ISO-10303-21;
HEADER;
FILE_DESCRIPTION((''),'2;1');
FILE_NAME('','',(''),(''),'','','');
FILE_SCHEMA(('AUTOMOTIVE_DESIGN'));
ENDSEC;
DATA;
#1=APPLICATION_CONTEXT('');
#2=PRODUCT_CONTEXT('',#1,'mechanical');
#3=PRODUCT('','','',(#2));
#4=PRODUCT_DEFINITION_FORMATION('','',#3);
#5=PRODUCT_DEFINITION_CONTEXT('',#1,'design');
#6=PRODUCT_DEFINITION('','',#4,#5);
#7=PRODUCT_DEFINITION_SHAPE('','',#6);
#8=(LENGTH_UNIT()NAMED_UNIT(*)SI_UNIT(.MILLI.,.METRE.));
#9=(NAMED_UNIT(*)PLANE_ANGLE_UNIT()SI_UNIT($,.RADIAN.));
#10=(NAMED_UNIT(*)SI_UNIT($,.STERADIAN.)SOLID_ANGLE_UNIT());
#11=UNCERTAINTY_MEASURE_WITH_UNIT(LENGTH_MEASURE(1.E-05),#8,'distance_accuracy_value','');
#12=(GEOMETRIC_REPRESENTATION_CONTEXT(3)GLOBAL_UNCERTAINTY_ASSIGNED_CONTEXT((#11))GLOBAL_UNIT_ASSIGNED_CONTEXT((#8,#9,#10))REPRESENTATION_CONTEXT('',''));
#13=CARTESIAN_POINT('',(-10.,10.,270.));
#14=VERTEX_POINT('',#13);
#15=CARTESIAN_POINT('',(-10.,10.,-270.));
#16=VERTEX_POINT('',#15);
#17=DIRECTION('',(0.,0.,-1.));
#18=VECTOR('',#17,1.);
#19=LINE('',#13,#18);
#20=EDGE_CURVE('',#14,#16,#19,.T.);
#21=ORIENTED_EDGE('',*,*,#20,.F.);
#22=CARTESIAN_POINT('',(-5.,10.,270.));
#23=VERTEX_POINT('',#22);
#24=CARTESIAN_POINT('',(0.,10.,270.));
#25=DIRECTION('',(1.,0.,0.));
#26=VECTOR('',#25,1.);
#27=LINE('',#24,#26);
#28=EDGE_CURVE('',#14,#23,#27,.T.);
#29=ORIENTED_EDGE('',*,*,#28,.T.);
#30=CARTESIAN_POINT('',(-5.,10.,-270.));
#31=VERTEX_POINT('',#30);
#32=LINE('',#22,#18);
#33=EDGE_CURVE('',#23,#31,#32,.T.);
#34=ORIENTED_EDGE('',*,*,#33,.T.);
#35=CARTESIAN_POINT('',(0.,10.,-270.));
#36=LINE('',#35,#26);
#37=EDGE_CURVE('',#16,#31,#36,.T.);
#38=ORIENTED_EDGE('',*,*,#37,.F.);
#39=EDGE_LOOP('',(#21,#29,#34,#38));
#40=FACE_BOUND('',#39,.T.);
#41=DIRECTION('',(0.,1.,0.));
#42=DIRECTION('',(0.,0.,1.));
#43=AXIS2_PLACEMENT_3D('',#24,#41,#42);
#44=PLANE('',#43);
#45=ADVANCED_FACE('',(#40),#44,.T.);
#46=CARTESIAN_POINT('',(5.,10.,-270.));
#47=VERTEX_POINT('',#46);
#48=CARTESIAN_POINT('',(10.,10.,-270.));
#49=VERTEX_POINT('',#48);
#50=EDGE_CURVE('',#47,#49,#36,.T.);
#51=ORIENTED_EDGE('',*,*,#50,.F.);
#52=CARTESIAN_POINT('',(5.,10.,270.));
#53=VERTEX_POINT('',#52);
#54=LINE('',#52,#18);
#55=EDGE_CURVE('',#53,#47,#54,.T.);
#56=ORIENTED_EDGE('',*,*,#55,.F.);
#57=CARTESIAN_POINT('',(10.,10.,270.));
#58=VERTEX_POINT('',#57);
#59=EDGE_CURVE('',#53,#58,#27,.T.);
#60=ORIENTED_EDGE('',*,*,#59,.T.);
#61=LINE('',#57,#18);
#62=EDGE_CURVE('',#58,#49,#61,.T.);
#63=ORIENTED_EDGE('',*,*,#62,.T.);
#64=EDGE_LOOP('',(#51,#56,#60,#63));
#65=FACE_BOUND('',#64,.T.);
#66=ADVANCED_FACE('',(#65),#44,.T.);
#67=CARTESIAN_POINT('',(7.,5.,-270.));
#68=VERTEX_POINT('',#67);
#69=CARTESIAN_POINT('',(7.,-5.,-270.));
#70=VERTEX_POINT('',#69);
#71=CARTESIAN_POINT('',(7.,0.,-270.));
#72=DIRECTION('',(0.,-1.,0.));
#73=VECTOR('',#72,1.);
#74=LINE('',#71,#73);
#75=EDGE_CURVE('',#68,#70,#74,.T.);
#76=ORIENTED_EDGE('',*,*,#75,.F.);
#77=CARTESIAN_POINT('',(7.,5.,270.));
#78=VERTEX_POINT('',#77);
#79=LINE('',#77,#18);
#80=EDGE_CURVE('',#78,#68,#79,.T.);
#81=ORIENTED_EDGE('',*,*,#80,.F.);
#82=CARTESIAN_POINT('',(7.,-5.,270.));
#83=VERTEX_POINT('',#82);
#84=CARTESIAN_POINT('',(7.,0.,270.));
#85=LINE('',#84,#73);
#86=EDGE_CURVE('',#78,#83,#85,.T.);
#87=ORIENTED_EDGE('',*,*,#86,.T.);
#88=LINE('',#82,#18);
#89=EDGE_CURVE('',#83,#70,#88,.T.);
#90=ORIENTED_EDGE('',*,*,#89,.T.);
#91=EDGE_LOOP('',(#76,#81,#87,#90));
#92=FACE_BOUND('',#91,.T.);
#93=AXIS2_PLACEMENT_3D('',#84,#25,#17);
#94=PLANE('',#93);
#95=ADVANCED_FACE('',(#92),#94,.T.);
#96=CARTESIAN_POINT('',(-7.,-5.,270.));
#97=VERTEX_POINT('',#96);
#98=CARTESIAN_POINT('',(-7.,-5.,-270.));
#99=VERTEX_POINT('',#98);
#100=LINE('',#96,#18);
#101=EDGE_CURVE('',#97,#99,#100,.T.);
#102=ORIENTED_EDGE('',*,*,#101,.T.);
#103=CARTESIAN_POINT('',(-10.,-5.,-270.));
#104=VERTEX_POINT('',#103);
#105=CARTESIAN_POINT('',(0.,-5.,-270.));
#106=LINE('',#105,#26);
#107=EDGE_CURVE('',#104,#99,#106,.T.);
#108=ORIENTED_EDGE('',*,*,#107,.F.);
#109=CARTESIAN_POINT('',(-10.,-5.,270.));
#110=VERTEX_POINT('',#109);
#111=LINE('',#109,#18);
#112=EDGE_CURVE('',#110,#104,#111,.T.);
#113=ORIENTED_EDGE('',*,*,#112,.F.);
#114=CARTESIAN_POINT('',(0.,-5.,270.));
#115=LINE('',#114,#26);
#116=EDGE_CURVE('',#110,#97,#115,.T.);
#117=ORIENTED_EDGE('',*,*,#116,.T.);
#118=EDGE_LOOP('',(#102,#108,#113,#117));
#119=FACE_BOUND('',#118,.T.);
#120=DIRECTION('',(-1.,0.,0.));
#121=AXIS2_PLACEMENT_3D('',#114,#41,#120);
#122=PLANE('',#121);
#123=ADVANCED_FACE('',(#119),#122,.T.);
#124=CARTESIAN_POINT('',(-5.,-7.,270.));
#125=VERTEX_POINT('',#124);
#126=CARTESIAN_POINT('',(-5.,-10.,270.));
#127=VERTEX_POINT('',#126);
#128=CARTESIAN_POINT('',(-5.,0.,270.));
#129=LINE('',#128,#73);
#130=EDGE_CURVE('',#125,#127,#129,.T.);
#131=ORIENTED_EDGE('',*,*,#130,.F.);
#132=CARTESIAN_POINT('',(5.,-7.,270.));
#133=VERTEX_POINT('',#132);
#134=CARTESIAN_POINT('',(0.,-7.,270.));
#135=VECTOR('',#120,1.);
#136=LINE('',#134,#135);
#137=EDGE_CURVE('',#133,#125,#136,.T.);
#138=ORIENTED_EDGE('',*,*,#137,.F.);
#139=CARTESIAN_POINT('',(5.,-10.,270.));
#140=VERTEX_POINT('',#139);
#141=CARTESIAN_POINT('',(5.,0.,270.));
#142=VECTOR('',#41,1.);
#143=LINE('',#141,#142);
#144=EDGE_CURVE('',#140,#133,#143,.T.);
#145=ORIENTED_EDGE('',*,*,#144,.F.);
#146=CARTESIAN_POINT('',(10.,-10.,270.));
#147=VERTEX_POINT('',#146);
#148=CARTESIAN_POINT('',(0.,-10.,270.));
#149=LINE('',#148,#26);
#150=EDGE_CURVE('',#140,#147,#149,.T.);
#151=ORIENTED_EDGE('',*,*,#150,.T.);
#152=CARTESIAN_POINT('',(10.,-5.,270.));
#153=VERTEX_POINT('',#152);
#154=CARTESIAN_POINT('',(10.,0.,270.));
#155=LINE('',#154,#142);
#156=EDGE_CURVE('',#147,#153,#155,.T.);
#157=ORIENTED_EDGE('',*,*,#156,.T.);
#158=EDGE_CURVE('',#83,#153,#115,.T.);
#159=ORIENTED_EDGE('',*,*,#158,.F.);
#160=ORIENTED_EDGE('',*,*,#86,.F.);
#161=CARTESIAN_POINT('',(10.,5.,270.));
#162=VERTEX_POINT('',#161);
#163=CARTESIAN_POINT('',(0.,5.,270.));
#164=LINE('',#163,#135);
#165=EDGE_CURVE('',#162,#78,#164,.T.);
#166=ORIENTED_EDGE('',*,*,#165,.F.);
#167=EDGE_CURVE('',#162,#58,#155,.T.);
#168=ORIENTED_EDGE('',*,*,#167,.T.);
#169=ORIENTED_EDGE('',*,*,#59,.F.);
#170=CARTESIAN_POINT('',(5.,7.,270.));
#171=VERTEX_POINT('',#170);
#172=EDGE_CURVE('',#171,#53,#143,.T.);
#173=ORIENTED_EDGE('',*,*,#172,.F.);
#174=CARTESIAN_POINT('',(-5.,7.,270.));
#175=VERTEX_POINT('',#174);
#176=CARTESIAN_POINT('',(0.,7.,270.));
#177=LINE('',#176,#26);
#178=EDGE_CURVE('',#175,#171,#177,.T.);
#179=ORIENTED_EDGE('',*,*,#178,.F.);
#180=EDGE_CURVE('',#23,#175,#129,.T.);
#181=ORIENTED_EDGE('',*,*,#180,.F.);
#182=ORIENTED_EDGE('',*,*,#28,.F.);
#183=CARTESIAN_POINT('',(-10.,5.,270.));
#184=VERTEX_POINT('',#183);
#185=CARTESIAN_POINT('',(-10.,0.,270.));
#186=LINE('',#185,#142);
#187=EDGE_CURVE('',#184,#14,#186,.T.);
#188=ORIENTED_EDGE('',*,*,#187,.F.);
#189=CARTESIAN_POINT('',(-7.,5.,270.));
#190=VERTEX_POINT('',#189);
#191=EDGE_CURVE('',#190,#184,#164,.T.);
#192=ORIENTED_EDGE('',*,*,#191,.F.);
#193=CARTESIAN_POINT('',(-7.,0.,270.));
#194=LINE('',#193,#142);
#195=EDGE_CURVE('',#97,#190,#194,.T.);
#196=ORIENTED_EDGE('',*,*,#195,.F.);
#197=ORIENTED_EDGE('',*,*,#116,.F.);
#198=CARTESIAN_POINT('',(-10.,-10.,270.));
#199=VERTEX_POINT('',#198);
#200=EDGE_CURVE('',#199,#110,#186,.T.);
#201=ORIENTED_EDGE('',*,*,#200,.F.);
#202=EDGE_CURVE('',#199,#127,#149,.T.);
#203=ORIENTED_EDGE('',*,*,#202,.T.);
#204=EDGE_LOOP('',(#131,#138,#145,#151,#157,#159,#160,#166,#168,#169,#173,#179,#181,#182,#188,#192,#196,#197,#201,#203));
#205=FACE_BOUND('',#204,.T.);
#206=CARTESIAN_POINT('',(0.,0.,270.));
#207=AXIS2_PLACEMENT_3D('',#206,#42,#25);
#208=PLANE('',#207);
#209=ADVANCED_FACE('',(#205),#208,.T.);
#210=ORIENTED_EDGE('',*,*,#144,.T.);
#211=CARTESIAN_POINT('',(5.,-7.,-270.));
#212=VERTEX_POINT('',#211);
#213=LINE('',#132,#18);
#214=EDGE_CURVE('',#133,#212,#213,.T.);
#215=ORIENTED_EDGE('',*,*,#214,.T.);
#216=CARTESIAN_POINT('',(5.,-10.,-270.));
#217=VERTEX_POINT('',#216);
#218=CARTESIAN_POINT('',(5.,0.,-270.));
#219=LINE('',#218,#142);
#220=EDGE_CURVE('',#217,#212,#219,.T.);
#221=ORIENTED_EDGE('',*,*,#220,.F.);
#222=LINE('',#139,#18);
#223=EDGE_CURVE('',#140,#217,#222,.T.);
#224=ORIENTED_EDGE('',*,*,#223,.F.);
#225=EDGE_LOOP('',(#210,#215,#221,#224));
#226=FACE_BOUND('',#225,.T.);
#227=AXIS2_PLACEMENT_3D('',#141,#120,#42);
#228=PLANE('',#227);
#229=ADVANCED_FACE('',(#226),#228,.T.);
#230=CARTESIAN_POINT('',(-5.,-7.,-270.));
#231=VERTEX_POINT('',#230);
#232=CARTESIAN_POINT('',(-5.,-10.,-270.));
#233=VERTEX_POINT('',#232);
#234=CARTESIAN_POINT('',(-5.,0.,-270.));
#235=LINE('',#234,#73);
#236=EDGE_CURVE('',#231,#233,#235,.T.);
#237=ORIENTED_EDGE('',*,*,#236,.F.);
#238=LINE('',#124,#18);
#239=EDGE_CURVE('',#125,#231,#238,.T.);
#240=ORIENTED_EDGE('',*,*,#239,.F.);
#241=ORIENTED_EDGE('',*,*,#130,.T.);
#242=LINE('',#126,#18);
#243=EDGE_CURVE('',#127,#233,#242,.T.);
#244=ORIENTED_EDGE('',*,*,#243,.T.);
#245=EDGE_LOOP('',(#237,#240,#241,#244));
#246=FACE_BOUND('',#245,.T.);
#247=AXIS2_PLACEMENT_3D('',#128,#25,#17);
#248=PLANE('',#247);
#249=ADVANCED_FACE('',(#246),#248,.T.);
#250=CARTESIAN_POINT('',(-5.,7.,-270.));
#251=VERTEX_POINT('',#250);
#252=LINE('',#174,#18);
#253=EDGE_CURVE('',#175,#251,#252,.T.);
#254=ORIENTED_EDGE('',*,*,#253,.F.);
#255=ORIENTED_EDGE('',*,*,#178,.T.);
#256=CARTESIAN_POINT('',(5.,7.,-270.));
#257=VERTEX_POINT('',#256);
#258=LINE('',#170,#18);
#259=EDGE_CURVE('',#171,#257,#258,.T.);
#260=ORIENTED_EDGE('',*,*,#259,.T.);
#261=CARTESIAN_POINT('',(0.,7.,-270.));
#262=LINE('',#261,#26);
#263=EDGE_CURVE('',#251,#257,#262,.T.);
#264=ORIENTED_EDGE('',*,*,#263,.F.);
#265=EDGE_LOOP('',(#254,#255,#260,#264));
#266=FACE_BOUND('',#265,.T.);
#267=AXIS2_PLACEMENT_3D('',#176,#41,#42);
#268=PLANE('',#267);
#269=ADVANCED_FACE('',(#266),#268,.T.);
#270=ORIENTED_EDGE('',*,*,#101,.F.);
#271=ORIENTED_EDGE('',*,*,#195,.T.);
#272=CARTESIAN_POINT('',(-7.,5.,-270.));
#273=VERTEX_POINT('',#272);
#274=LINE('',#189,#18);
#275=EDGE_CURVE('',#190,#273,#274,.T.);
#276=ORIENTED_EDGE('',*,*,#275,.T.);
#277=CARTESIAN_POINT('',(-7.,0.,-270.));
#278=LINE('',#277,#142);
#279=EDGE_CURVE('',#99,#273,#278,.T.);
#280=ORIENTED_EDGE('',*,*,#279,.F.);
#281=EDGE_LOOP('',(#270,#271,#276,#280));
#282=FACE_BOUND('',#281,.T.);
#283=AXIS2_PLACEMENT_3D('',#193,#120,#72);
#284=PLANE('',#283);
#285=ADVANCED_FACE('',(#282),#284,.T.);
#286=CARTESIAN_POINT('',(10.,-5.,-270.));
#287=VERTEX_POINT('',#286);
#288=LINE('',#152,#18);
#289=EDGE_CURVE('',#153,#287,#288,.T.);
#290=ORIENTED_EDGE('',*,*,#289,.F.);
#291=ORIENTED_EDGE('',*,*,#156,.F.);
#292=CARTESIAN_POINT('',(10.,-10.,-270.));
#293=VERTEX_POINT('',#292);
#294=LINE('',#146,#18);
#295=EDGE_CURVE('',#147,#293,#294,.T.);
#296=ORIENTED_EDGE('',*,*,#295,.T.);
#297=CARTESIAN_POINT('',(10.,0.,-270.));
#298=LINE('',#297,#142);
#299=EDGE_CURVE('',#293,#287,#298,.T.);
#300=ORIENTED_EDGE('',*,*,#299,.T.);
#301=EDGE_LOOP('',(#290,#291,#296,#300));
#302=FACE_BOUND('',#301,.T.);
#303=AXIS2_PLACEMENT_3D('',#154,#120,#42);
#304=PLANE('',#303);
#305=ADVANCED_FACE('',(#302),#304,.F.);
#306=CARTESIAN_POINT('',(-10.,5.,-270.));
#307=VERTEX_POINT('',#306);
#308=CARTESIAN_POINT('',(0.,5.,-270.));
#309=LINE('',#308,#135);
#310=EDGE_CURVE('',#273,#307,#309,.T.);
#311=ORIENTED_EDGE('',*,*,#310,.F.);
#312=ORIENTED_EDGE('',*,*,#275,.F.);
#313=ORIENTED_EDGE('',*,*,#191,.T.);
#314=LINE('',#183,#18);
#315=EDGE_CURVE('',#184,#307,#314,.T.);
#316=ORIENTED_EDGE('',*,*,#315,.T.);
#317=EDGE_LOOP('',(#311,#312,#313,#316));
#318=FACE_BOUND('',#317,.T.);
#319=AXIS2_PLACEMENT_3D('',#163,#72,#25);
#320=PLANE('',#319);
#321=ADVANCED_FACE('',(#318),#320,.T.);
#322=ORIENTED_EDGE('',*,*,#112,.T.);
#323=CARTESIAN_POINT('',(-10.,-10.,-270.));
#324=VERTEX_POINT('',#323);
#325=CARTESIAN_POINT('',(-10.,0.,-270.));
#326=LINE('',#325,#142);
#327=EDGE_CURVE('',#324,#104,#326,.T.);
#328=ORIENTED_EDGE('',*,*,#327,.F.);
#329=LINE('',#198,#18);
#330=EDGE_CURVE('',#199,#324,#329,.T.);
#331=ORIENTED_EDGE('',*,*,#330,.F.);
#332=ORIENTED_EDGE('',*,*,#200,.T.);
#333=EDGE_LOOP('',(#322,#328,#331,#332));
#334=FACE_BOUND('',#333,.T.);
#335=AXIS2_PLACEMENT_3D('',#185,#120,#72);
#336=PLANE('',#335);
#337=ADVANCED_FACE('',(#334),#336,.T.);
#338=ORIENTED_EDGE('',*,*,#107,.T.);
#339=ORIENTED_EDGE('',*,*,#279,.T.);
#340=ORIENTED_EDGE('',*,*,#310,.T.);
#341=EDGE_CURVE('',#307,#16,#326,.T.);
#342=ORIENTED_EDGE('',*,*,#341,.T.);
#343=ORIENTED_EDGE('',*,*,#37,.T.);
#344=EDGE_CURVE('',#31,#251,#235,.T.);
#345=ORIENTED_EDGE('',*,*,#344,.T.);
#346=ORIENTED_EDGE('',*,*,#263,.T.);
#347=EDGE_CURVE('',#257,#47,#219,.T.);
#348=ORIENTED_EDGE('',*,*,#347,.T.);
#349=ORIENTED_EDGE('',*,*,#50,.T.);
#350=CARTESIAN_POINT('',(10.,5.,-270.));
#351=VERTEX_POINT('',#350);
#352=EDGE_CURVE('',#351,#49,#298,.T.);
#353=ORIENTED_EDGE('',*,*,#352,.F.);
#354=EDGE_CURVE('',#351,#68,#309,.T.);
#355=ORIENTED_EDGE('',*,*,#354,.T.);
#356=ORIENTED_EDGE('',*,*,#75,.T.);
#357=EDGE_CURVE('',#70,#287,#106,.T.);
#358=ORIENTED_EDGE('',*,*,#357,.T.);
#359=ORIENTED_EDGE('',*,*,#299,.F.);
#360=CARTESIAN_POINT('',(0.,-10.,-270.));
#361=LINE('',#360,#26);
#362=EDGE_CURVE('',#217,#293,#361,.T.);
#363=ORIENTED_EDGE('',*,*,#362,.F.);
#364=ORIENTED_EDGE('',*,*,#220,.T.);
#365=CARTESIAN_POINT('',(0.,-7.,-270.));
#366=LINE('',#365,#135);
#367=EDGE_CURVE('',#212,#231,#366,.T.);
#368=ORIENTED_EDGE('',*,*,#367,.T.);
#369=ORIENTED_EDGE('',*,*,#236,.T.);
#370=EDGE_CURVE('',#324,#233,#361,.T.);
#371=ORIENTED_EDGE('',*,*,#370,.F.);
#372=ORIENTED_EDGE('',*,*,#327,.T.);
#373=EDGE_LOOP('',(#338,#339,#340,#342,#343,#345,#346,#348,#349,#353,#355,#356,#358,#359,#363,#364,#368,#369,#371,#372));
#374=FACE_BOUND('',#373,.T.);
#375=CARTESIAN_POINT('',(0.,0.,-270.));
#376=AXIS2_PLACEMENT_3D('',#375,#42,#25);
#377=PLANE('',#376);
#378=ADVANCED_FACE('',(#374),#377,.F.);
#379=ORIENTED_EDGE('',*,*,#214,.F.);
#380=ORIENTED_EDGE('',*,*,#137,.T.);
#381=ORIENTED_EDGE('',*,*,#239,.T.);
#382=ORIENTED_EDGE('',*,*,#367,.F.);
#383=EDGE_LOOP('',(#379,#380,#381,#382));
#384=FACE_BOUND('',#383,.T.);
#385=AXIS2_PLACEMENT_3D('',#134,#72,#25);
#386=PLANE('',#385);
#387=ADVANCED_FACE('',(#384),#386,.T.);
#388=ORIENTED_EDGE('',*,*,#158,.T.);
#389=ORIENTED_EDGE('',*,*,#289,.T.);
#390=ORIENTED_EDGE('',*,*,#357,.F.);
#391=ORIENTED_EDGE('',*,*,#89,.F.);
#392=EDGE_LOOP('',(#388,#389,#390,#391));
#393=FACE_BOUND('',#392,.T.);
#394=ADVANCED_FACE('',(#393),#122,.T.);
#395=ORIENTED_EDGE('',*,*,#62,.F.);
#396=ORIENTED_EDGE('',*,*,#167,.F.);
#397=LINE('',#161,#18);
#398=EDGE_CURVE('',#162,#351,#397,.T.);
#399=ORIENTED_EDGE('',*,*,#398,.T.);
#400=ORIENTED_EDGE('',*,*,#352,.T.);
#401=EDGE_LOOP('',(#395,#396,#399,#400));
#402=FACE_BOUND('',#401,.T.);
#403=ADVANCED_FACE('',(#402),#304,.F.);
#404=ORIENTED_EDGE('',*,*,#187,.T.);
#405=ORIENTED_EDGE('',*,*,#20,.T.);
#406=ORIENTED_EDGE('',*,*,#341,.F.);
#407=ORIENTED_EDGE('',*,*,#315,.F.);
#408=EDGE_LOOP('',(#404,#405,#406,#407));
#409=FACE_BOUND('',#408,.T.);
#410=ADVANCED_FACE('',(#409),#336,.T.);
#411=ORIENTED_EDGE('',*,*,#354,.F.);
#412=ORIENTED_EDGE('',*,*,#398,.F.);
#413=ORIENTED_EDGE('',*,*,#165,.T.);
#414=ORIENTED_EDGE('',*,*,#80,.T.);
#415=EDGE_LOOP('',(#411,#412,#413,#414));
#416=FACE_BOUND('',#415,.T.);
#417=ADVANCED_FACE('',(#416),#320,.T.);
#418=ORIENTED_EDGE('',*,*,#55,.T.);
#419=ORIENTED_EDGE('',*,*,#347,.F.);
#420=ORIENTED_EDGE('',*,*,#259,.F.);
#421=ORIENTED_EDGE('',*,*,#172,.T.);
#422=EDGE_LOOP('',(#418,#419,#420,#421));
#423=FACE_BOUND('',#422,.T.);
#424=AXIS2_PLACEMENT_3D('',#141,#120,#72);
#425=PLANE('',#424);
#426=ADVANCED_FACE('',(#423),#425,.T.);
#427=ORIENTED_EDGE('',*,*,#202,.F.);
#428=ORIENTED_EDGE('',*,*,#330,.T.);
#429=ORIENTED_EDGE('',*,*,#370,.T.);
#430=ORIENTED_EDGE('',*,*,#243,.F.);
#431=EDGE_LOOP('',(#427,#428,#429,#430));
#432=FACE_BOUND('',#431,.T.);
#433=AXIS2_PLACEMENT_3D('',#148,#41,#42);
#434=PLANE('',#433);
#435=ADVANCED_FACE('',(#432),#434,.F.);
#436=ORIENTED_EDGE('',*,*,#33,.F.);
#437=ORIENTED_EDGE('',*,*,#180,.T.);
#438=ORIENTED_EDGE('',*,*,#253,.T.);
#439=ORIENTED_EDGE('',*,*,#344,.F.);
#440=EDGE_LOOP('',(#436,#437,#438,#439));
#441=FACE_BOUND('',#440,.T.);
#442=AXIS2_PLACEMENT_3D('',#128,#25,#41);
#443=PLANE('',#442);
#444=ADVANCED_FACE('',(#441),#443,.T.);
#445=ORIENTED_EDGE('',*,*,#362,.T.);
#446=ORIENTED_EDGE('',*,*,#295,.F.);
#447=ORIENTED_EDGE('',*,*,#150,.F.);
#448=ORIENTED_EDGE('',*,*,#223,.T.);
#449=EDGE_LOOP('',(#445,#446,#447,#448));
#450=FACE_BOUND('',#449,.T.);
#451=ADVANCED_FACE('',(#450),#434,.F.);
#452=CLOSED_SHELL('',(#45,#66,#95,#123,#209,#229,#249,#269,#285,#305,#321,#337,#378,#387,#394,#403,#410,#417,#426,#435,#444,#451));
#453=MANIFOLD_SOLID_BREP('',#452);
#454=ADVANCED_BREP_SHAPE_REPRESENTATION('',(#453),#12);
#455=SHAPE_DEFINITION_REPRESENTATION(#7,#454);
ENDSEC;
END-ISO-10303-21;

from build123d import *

# Parameters (mm, degrees)
EXTRUDE_1_DEPTH = 270


with BuildPart() as part:
    # 草图1 → 凸台-拉伸1 (new, symmetric)
    with BuildSketch(Plane.XY):
        Polygon((-5, 7), (-5, 10), (-10, 10), (-10, 5), (-7, 5), (-7, -5), (-10, -5), (-10, -10), (-5, -10), (-5, -7), (5, -7), (5, -10), (10, -10), (10, -5), (7, -5), (7, 5), (10, 5), (10, 10), (5, 10), (5, 7), align=None)
    extrude(amount=EXTRUDE_1_DEPTH, both=True)


solid = part.part
